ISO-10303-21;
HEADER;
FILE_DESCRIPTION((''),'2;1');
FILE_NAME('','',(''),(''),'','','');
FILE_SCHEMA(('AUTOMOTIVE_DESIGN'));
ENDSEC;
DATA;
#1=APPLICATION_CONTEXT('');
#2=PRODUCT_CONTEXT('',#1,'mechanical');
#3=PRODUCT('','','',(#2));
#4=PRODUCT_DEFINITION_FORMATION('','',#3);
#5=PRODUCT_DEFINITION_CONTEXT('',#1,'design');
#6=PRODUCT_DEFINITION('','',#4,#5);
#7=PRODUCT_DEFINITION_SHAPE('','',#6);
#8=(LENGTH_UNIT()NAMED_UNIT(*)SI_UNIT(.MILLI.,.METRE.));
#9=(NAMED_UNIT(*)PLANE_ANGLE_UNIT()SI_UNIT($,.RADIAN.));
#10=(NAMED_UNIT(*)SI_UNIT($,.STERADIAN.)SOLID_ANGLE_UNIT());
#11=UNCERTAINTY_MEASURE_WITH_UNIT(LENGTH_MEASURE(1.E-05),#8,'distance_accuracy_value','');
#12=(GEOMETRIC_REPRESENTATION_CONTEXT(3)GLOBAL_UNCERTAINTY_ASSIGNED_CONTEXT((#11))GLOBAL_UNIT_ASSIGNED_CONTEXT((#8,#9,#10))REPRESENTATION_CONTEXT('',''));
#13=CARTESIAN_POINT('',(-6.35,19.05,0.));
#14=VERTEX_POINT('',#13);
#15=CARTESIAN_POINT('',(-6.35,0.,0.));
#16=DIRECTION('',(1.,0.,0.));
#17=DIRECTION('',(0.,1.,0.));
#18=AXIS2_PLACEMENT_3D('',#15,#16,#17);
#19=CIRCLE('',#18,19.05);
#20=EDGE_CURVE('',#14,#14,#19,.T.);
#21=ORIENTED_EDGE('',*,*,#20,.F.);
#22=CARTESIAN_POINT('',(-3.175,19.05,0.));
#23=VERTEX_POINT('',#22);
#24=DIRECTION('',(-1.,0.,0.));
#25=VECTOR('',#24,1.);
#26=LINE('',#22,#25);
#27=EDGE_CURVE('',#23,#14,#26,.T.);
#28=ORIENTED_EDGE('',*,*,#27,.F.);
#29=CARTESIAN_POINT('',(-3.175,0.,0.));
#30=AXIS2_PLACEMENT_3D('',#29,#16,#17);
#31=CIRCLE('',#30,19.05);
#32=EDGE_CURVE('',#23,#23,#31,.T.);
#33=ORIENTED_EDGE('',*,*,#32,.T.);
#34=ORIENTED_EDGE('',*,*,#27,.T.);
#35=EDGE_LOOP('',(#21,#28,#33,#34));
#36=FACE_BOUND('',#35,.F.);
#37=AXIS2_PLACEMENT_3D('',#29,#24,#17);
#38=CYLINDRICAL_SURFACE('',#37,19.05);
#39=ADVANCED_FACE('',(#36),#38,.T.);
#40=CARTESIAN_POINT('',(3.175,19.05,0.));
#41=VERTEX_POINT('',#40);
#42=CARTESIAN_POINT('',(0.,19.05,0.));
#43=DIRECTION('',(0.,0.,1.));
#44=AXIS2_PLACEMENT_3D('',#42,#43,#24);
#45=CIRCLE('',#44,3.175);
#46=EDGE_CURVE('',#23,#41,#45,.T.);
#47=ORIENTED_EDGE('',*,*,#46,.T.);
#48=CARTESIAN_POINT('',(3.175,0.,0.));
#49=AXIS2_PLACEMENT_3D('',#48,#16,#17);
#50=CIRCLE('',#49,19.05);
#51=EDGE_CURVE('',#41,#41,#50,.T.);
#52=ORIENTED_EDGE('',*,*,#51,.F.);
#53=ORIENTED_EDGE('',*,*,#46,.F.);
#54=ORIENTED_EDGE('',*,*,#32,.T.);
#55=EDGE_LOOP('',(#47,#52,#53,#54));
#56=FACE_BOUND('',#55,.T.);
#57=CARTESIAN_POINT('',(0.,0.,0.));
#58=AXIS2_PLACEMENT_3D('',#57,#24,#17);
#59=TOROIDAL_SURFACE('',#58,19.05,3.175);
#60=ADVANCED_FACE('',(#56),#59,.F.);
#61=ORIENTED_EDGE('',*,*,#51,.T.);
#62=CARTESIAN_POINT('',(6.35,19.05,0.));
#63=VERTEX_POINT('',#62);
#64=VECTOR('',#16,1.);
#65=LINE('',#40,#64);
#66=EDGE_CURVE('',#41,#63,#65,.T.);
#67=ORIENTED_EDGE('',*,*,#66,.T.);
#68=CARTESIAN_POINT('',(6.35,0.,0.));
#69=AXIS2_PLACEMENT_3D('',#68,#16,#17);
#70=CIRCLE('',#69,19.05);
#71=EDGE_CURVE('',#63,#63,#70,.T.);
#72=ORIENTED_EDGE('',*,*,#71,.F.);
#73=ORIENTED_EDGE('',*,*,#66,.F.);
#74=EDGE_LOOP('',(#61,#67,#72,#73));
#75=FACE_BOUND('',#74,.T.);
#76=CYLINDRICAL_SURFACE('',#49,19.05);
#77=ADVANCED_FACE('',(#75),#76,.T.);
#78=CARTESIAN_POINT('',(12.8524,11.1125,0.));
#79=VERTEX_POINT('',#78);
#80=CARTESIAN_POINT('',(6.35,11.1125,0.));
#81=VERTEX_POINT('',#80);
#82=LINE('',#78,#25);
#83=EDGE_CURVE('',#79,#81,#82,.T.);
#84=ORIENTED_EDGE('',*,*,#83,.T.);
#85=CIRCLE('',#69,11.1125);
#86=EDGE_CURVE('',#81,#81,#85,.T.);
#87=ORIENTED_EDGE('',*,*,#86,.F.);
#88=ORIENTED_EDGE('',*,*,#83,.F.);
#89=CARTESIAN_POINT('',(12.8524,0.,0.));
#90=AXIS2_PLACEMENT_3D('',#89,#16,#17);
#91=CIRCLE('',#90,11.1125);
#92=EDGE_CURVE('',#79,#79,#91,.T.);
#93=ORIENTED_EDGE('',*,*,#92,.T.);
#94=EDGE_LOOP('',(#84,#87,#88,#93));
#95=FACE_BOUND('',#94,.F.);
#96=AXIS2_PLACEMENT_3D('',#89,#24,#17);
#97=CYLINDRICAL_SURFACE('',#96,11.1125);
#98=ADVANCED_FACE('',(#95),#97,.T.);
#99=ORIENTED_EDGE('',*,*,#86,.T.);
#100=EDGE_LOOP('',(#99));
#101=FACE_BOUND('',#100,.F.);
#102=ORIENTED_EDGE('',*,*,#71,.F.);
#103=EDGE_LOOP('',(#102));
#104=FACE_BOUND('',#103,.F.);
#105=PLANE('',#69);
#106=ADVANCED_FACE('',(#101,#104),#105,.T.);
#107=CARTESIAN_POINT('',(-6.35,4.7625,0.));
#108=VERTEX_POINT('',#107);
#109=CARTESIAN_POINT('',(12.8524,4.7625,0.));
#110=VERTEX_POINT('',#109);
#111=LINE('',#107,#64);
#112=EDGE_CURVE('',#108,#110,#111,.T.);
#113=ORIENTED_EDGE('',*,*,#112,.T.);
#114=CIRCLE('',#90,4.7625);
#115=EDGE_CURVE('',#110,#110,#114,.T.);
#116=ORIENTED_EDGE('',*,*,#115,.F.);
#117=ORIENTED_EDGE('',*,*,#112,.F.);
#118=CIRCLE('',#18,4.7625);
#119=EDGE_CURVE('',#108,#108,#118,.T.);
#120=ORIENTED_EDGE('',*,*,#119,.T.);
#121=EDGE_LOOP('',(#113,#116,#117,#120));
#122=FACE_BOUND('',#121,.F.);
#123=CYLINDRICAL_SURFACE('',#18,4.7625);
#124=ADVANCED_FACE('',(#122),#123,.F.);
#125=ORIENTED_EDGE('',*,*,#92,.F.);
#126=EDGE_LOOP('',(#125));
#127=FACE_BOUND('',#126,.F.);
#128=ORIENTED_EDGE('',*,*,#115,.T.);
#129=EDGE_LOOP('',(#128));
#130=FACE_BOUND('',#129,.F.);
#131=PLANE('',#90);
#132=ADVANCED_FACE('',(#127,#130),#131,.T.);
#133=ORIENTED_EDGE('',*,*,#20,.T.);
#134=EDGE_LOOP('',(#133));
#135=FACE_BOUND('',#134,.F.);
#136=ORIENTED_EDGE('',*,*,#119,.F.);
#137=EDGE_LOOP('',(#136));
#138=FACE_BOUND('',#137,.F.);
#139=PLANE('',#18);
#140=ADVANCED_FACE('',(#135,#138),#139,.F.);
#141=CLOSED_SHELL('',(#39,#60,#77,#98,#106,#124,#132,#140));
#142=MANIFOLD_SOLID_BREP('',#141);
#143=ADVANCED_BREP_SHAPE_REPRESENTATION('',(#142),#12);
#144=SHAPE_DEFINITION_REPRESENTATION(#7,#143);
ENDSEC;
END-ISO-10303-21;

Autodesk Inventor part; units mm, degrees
ref_plane "YZ Plane" through (0, 0, 0) normal (1, 0, 0) x (0, 1, 0)
ref_plane "XZ Plane" through (0, 0, 0) normal (0, 1, 0) x (-1, 0, 0)
ref_plane "XY Plane" through (0, 0, 0) normal (0, 0, 1) x (1, 0, 0)
sketch "Sketch1" plane through (0, 0, 0) normal (0, 0, 1) x (1, 0, 0)
  arc A0 (-3.175, 19.05) -> (3.175, 19.05) centre (0, 19.05) ccw
  line L0 (-3.175, 19.05) -> (-6.35, 19.05)
  line L1 (-6.35, 19.05) -> (-6.35, 4.7625)
  line L2 (3.175, 19.05) -> (6.35, 19.05)
  line L3 (0, 19.05) -> (0, 0) construction
  line L4 (-6.35, 4.7625) -> (12.8524, 4.7625)
  line L5 (12.8524, 4.7625) -> (12.8524, 11.1125)
  line L6 (12.8524, 11.1125) -> (6.35, 11.1125)
  line L7 (6.35, 11.1125) -> (6.35, 19.05)
  line L8 (0, 0) -> (15.9105, 0) construction
  dimension "d2" = 3.175
  dimension "d3" = 3.175
  dimension "d4" = 4.7625
  dimension "d5" = 6.5024
  dimension "d6" = 6.35
  dimension "d7" = 19.05
revolve "Revolution1" add sketch "Sketch1" angle 360 about axis through (0, 0, 0) along (1, 0, 0)
properties part number "1.5in pulley roller"
